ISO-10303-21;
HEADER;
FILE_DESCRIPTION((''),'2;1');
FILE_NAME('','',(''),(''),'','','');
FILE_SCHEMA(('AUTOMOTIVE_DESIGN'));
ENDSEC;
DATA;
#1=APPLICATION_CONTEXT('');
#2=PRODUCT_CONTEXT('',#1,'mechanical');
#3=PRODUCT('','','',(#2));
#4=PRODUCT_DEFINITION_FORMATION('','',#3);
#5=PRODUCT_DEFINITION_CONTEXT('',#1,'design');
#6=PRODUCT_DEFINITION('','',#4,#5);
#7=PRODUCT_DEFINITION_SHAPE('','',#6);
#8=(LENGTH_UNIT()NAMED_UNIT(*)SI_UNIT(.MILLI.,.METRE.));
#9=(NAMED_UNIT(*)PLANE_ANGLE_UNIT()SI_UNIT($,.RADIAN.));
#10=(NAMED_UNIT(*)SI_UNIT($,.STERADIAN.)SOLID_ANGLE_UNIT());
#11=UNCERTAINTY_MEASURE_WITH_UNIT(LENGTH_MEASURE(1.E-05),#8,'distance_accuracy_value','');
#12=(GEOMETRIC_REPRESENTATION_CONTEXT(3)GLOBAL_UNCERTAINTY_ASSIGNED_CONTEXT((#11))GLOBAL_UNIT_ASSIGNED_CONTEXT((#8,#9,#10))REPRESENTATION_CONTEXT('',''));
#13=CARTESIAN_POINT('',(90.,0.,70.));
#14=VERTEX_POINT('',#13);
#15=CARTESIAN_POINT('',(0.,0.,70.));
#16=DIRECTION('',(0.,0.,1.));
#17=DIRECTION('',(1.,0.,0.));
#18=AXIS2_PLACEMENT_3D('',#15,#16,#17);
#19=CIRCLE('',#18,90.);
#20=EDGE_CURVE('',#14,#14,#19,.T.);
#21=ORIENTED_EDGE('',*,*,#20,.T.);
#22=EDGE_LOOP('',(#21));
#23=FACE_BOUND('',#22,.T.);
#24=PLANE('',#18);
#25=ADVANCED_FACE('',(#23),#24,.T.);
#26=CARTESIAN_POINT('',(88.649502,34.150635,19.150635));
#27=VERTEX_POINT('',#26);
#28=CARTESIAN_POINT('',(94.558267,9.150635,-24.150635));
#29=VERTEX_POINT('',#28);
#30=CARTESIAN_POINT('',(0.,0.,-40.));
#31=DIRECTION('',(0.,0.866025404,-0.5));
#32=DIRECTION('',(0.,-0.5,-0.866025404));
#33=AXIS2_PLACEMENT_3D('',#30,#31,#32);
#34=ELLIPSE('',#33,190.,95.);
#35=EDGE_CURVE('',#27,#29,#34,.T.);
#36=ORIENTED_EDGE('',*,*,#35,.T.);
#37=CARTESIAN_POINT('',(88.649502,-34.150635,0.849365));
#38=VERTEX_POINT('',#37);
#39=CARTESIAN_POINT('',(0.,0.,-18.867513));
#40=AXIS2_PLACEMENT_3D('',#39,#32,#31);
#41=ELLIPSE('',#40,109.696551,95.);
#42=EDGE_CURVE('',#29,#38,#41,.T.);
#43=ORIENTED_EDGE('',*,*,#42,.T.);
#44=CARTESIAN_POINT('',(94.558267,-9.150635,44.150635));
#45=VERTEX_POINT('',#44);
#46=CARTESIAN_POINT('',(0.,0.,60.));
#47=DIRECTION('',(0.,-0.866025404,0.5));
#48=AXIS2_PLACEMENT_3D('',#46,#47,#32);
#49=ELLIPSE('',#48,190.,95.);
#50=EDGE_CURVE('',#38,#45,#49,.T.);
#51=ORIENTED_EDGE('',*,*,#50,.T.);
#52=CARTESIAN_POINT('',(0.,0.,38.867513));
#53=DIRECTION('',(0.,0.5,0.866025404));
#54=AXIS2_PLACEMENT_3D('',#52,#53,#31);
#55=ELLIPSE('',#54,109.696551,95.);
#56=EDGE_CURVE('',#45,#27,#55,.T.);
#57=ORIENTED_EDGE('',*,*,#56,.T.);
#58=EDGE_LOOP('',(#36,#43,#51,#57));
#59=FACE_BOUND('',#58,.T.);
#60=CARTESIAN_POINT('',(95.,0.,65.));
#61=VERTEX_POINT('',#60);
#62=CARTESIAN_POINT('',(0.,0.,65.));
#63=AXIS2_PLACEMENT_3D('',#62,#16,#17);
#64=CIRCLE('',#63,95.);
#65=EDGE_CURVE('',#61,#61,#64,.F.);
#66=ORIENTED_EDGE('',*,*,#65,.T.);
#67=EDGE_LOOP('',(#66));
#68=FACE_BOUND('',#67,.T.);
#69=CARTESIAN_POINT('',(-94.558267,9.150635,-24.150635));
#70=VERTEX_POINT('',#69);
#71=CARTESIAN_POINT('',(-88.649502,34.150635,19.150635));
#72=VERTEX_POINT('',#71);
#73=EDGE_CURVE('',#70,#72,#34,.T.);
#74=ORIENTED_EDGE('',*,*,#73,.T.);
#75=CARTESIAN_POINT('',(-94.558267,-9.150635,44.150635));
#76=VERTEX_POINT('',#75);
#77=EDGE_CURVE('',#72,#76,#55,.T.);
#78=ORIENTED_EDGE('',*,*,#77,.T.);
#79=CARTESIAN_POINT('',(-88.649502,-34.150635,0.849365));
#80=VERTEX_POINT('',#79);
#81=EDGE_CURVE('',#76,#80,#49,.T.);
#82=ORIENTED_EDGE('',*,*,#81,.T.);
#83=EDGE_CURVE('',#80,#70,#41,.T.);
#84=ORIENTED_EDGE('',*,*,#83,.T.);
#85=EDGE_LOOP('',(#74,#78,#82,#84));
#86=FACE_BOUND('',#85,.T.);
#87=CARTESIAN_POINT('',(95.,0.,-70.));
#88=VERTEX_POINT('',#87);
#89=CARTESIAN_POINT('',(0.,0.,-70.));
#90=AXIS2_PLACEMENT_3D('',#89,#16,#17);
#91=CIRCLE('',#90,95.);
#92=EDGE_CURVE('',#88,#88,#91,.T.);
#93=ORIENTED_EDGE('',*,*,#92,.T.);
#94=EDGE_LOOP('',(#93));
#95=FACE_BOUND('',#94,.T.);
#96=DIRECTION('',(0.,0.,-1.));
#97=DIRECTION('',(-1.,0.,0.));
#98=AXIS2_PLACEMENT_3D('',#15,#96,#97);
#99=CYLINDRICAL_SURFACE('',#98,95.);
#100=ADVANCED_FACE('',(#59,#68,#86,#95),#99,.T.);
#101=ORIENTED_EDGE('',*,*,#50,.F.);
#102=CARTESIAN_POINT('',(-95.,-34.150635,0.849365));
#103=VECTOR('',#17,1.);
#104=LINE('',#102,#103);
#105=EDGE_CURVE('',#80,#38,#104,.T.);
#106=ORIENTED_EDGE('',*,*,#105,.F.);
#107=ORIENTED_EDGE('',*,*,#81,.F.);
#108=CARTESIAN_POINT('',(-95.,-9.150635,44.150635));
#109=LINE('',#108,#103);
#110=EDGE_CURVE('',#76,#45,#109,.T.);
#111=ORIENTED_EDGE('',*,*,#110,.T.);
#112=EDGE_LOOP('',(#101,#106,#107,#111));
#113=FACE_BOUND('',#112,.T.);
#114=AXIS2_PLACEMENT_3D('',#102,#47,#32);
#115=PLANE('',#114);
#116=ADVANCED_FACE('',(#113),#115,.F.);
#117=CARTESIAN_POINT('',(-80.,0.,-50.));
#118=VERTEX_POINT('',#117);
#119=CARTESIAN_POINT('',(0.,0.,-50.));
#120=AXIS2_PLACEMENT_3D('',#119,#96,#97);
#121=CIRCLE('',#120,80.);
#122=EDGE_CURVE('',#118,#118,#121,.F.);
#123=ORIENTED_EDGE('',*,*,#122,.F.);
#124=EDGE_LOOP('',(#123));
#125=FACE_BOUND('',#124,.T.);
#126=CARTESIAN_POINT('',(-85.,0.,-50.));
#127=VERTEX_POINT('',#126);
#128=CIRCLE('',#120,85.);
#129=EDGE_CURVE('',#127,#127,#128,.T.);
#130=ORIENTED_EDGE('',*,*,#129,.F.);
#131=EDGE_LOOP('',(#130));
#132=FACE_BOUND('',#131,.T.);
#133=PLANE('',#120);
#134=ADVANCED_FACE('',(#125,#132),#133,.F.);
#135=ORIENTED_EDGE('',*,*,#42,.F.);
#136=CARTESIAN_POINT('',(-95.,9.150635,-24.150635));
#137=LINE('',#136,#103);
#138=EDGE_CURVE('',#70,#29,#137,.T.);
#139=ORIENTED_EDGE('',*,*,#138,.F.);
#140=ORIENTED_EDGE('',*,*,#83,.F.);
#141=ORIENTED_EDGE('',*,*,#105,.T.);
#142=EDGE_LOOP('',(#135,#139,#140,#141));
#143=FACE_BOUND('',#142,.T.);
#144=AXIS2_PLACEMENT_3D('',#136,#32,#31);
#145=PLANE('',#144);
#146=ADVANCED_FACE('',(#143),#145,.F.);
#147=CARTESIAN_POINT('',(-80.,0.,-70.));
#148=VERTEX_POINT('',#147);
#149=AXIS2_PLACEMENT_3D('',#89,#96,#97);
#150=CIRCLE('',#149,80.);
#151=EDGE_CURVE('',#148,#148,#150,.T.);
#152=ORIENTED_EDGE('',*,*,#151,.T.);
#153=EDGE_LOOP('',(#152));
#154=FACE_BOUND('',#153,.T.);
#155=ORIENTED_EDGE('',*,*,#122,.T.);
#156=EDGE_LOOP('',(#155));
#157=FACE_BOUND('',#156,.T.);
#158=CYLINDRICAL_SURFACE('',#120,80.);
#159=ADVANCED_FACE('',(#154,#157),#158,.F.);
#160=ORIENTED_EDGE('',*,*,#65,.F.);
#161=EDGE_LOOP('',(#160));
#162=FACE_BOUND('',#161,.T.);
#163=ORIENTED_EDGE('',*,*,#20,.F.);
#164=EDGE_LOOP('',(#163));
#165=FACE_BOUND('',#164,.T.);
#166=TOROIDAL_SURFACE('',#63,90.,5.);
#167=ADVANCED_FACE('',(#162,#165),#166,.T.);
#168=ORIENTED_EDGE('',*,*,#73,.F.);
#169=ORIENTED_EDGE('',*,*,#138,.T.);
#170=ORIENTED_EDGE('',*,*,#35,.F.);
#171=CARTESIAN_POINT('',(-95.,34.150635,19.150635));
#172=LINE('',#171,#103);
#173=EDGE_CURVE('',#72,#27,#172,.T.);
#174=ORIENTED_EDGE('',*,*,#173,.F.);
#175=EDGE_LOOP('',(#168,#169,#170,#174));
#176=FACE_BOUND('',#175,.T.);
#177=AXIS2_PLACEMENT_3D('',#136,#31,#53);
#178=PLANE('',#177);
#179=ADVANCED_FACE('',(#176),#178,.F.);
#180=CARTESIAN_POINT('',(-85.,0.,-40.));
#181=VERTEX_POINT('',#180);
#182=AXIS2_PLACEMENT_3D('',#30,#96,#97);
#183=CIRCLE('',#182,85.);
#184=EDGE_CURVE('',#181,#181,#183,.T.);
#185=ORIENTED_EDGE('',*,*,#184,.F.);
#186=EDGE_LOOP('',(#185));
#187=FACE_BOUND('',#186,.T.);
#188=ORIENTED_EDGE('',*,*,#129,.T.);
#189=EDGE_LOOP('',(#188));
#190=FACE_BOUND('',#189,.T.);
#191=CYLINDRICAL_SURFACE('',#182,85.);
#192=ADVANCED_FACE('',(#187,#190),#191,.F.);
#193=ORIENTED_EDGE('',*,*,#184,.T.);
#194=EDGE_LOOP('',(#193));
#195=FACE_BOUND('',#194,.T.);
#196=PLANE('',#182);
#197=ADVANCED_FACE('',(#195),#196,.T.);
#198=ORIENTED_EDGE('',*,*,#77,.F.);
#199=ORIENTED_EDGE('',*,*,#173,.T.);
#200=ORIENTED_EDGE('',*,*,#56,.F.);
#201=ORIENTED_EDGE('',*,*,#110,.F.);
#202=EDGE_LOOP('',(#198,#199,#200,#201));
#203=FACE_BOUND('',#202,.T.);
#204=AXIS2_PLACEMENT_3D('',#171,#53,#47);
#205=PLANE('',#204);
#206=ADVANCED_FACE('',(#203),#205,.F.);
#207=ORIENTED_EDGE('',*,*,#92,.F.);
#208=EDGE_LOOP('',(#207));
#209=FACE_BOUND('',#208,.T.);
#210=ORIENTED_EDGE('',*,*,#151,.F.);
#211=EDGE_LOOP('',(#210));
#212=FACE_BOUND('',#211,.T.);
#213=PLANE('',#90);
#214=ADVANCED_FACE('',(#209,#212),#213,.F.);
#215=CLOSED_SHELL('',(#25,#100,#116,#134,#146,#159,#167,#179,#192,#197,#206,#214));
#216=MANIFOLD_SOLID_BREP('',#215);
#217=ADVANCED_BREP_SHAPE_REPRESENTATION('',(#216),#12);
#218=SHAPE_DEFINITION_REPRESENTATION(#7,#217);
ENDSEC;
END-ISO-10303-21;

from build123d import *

# Parameters (mm, degrees)
SKETCH1_R                     = 95
BOSS_EXTRUDE1_DEPTH           = 70
SKETCH2_R                     = 80
CUT_EXTRUDE4_DEPTH            = 20
SKETCH5_R                     = 85
CUT_EXTRUDE5_DEPTH            = 10
RACCORDO1_R                   = 5
TAGLIO_ESTRUSIONE1_DEPTH      = 152.492574122
TAGLIO_ESTRUSIONE1_DEPTH_BACK = 152.492574122


with BuildPart() as part:
    # Sketch1 → Boss-Extrude1 (new, symmetric)
    with BuildSketch(Plane.XY):
        Circle(SKETCH1_R)
    extrude(amount=BOSS_EXTRUDE1_DEPTH, both=True)

    # Sketch2 → Cut-Extrude4 (cut)
    with BuildSketch(Plane(origin=(0, 0, -70), x_dir=(-1, 0, 0), z_dir=(0, 0, -1))):
        Circle(SKETCH2_R)
    extrude(amount=-CUT_EXTRUDE4_DEPTH, mode=Mode.SUBTRACT)

    # Sketch5 → Cut-Extrude5 (cut)
    with BuildSketch(Plane(origin=(0, 0, -50), x_dir=(-1, 0, 0), z_dir=(0, 0, -1))):
        Circle(SKETCH5_R)
    extrude(amount=-CUT_EXTRUDE5_DEPTH, mode=Mode.SUBTRACT)

    # Raccordo1
    raccordo1_edges = [part.edges().sort_by_distance(p)[0] for p in [
        (-95, 0, 70),
    ]]
    fillet(raccordo1_edges, radius=RACCORDO1_R)

    # Schizzo2 → Taglio-Estrusione1 (cut, two sides: drawn at the far end of the back side and taken through both)
    with BuildSketch(Plane(origin=(0, 0, 0), x_dir=(0, 0, -1), z_dir=(1, 0, 0)).offset(-TAGLIO_ESTRUSIONE1_DEPTH_BACK)):
        Polygon((24.150635095, 9.150635095), (-19.150635095, 34.150635095), (-44.150635095, -9.150635095), (-0.849364905, -34.150635095), align=None)
    extrude(amount=TAGLIO_ESTRUSIONE1_DEPTH + TAGLIO_ESTRUSIONE1_DEPTH_BACK, mode=Mode.SUBTRACT)


solid = part.part
